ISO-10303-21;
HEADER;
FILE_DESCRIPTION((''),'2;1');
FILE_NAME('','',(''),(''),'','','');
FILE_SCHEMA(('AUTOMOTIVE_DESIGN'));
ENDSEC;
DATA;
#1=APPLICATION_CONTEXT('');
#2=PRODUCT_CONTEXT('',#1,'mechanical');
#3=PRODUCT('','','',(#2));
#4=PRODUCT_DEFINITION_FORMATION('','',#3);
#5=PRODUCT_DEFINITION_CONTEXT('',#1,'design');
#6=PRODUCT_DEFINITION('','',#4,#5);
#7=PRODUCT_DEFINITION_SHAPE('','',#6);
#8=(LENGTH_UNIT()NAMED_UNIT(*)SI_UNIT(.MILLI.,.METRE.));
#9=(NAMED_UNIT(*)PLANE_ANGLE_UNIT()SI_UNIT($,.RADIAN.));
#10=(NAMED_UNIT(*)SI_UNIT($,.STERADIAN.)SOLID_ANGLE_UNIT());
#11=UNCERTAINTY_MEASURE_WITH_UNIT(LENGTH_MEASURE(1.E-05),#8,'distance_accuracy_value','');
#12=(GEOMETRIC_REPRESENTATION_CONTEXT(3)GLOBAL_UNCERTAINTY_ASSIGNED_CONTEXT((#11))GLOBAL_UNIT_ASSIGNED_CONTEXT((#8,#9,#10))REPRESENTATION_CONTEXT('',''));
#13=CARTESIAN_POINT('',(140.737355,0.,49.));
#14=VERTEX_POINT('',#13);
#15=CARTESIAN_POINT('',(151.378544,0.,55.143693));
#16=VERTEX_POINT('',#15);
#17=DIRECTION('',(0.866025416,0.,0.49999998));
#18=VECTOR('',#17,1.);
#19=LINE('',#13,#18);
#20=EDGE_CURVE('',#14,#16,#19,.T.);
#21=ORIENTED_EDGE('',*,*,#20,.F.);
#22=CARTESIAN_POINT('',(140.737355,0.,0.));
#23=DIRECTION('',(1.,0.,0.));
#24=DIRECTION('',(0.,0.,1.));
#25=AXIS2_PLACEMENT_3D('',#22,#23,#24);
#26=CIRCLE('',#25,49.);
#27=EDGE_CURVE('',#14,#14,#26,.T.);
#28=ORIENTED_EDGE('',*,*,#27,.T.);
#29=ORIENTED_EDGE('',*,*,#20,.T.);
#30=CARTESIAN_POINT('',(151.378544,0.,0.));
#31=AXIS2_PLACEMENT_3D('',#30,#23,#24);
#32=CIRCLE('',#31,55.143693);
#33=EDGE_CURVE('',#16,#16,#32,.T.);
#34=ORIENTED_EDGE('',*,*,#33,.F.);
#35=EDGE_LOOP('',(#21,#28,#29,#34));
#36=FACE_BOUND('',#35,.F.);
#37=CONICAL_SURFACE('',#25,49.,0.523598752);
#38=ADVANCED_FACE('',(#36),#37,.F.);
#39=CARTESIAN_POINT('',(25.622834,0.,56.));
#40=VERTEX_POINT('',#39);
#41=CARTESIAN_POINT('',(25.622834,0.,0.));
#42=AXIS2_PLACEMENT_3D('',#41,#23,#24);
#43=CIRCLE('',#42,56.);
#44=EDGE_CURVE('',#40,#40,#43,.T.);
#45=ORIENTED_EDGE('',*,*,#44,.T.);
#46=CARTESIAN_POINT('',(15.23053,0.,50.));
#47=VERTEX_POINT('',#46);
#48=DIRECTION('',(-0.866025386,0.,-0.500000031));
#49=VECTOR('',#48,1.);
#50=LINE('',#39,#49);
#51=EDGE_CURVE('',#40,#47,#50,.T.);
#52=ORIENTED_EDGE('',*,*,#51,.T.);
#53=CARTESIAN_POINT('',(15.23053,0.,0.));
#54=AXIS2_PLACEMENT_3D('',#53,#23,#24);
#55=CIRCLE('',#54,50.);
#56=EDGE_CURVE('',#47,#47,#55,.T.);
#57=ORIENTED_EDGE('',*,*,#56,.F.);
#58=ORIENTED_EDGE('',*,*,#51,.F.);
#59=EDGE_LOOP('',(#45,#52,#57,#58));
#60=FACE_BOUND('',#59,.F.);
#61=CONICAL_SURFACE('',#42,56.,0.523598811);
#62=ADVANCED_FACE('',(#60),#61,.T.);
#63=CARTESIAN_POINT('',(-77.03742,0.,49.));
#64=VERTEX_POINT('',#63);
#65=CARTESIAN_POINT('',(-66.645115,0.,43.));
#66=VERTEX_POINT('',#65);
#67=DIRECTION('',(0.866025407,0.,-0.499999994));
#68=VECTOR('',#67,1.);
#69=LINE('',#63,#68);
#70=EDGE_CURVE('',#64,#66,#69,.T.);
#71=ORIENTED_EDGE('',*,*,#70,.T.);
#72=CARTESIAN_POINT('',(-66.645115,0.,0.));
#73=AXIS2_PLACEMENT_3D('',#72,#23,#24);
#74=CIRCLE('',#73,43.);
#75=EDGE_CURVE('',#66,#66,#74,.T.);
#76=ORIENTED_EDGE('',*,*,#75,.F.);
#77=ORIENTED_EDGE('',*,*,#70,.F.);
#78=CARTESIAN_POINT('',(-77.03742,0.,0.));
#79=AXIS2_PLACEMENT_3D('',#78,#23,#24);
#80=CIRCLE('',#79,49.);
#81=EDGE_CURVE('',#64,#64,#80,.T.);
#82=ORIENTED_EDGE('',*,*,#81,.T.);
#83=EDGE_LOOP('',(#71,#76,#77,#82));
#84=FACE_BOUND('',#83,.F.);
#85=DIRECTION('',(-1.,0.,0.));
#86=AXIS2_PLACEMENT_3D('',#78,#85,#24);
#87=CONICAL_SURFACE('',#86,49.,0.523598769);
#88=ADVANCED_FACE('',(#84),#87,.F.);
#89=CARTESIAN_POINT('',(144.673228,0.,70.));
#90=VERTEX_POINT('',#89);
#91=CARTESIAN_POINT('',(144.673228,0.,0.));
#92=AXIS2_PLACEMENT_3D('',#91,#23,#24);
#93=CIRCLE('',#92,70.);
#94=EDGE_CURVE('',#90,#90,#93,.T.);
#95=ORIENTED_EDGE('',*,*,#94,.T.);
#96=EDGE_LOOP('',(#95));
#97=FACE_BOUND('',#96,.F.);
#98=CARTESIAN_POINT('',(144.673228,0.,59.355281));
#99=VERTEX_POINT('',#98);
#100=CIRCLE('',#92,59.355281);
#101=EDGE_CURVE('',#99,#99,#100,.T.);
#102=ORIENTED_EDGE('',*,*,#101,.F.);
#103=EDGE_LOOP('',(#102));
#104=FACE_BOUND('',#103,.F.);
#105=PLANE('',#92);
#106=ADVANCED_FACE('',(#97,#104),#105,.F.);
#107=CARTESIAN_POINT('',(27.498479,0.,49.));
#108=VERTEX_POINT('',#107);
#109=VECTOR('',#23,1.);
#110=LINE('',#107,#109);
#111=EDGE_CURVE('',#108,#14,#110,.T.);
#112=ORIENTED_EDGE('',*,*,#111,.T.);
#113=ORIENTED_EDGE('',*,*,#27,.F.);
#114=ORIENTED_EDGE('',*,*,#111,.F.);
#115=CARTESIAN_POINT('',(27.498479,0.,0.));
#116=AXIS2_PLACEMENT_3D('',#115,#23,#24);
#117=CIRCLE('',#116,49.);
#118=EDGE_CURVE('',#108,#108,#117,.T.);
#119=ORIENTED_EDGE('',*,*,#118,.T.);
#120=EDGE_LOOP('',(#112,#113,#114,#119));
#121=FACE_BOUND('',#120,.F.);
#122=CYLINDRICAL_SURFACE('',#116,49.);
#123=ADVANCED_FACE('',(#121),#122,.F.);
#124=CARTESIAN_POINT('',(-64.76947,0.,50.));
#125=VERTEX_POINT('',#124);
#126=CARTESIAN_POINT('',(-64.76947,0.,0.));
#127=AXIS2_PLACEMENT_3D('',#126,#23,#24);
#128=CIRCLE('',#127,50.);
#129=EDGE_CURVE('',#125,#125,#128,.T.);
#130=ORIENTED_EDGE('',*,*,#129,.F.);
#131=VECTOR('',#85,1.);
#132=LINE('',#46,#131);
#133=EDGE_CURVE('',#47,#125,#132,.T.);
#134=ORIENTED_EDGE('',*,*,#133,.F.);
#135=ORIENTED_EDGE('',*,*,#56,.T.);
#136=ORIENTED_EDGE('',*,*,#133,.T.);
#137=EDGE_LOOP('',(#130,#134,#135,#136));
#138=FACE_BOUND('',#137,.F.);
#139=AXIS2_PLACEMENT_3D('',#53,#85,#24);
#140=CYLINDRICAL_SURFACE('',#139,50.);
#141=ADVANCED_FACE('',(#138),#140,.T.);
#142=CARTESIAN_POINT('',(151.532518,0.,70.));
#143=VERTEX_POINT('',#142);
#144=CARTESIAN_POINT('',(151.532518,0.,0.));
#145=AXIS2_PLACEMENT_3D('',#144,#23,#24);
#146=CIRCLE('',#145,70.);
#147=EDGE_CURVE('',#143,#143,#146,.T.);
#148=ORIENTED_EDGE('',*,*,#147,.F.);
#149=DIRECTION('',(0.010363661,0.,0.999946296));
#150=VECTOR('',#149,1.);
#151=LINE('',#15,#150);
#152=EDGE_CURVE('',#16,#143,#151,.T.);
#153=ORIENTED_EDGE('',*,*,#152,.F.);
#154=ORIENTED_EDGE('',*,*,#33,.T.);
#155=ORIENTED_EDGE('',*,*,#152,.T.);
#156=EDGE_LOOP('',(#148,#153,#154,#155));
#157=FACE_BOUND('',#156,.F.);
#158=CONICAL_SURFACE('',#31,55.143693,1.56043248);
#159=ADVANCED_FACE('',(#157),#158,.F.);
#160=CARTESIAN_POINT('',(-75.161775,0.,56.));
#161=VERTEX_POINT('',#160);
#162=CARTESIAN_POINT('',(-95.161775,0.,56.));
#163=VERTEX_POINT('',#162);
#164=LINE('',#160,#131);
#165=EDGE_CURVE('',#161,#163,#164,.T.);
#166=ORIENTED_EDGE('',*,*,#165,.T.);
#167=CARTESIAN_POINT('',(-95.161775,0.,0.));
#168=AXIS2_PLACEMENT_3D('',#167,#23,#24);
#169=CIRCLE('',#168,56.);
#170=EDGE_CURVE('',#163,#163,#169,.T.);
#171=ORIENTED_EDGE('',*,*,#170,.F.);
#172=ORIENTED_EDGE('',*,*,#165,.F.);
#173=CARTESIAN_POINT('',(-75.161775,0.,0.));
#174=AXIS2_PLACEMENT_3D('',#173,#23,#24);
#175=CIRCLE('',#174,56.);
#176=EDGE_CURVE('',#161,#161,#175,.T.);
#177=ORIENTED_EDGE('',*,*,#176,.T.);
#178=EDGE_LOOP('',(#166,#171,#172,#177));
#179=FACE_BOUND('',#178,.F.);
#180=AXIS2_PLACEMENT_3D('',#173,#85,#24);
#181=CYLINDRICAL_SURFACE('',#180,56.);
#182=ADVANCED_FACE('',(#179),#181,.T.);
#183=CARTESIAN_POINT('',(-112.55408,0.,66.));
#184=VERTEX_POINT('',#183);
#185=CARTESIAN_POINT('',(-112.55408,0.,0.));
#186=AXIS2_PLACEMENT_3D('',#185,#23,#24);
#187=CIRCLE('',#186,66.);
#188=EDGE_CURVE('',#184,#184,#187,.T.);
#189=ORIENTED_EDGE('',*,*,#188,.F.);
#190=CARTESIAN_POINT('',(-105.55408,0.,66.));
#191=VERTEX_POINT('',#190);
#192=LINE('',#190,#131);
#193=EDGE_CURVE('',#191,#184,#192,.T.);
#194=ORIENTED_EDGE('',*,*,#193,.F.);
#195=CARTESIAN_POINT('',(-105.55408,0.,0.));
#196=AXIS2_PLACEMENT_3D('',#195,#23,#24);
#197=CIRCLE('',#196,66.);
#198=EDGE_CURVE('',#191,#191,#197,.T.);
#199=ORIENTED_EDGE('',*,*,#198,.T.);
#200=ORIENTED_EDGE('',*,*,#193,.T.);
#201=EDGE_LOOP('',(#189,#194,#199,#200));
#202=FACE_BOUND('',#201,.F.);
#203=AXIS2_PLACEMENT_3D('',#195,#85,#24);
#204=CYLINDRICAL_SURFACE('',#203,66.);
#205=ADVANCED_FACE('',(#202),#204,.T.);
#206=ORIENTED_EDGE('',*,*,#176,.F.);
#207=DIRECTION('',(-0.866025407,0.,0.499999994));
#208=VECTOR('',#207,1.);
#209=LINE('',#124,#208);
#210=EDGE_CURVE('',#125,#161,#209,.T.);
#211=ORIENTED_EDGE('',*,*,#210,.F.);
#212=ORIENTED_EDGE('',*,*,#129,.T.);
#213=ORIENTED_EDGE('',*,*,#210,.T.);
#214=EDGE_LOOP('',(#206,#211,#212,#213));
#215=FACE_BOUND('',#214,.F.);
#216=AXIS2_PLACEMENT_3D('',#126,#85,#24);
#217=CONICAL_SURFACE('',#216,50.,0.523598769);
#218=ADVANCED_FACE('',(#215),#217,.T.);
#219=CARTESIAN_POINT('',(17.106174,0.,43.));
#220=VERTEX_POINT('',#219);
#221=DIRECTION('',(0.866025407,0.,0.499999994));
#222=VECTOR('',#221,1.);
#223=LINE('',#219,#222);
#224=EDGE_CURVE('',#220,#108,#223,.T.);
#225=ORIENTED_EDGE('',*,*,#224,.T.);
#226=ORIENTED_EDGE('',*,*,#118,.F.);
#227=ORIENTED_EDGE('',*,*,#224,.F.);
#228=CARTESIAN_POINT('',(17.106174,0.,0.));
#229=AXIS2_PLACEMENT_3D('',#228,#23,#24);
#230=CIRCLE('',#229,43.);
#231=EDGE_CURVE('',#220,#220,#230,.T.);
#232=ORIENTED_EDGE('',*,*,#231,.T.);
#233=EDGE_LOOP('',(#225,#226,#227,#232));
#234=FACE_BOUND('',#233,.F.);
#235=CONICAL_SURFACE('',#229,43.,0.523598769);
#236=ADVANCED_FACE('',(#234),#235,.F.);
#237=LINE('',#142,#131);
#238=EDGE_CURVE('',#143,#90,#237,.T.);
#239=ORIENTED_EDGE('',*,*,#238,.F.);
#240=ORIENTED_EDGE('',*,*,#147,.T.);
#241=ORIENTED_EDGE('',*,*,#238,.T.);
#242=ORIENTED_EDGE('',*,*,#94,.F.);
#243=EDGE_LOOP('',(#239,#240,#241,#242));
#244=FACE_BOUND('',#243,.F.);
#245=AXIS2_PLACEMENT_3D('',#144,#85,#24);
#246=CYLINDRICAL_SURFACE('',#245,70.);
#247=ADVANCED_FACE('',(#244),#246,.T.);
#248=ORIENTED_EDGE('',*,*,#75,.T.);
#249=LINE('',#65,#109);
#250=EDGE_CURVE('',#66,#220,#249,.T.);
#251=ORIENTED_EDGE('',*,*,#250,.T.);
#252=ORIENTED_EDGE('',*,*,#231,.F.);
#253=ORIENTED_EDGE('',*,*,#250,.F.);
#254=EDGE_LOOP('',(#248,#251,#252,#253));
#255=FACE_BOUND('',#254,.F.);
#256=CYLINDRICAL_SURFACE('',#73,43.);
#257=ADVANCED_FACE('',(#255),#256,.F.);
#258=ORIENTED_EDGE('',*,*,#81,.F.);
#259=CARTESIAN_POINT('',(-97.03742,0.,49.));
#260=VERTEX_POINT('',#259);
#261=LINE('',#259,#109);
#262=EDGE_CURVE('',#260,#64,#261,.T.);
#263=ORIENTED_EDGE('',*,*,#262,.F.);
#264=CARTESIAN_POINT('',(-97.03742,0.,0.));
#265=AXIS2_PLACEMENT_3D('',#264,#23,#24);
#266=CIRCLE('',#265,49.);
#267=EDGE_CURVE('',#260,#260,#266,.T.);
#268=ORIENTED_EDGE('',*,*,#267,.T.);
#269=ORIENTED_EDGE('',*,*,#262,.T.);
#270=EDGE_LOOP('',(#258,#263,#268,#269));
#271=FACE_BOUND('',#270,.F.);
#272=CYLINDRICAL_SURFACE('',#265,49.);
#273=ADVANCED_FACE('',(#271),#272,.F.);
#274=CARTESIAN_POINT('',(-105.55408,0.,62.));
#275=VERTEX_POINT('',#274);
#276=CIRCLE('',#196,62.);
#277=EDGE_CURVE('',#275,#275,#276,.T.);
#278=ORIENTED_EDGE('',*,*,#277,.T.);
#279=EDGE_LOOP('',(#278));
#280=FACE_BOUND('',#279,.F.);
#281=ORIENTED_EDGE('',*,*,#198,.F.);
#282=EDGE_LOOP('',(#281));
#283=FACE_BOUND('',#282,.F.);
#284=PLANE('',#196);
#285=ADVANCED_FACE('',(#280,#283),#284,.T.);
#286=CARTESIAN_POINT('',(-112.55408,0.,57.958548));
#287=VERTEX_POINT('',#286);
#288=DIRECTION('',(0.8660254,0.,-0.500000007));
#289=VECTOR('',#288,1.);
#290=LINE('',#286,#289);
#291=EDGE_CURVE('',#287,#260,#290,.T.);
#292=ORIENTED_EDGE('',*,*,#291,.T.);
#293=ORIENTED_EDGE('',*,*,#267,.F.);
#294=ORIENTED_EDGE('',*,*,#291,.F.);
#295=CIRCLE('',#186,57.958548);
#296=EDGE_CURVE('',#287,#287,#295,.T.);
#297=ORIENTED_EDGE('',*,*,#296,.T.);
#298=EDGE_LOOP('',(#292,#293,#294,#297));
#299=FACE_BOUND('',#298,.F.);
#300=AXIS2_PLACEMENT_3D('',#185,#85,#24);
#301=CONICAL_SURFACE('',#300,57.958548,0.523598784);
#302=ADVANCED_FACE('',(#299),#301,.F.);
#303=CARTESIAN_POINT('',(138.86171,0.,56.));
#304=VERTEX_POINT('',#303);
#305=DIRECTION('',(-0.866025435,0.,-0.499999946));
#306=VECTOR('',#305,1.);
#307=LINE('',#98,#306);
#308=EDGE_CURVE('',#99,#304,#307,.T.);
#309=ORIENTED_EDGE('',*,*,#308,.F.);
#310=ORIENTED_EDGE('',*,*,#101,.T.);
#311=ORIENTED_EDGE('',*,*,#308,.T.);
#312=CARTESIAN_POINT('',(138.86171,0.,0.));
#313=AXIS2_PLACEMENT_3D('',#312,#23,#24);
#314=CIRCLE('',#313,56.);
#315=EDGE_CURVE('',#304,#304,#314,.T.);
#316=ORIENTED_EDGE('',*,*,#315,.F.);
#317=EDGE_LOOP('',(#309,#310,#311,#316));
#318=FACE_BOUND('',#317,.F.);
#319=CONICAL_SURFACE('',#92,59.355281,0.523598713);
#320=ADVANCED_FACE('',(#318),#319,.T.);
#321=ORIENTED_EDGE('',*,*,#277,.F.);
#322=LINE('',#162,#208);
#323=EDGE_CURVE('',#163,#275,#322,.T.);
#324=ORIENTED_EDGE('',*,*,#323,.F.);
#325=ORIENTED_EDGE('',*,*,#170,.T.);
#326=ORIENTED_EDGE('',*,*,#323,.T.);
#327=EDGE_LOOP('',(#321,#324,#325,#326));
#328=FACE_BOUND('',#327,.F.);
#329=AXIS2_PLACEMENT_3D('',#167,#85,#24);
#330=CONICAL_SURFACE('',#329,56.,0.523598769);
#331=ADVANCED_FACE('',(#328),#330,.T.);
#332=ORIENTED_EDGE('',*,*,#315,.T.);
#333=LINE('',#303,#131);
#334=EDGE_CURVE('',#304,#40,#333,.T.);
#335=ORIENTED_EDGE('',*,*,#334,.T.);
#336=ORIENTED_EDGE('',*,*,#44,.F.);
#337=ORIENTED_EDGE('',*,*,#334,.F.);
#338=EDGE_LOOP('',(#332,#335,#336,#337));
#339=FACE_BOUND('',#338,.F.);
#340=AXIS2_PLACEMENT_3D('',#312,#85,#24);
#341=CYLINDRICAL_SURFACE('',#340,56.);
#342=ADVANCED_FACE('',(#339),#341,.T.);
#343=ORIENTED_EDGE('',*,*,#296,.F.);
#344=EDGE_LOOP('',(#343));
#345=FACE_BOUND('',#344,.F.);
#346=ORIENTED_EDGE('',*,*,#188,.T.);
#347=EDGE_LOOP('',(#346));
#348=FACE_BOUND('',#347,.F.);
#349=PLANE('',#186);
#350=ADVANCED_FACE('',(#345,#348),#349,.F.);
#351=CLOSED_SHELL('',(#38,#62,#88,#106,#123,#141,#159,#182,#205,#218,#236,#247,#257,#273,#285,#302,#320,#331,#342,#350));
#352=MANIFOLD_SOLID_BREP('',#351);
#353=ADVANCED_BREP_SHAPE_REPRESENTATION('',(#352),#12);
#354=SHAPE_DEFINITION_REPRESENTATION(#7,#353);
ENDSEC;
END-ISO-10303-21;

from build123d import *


with BuildPart() as f1:
    # F0 (on Front) → F1 (revolve)
    with BuildSketch(Plane.XZ):
        Polygon((-105.55408, 62), (-105.55408, 66), (-112.55408, 66), (-112.55408, 57.958548), (-97.03742, 49), (-77.03742, 49), (-66.645115, 43), (17.106174, 43), (27.498479, 49), (140.737355, 49), (151.378544, 55.143693), (151.532518, 70), (144.673228, 70), (144.673228, 66), (144.673228, 59.355281), (138.86171, 56), (25.622834, 56), (15.23053, 50), (-64.76947, 50), (-75.161775, 56), (-95.161775, 56), align=None)
    revolve(axis=Axis((50.378699, 0, 0), (1, 0, 0)))


solid = f1.part
